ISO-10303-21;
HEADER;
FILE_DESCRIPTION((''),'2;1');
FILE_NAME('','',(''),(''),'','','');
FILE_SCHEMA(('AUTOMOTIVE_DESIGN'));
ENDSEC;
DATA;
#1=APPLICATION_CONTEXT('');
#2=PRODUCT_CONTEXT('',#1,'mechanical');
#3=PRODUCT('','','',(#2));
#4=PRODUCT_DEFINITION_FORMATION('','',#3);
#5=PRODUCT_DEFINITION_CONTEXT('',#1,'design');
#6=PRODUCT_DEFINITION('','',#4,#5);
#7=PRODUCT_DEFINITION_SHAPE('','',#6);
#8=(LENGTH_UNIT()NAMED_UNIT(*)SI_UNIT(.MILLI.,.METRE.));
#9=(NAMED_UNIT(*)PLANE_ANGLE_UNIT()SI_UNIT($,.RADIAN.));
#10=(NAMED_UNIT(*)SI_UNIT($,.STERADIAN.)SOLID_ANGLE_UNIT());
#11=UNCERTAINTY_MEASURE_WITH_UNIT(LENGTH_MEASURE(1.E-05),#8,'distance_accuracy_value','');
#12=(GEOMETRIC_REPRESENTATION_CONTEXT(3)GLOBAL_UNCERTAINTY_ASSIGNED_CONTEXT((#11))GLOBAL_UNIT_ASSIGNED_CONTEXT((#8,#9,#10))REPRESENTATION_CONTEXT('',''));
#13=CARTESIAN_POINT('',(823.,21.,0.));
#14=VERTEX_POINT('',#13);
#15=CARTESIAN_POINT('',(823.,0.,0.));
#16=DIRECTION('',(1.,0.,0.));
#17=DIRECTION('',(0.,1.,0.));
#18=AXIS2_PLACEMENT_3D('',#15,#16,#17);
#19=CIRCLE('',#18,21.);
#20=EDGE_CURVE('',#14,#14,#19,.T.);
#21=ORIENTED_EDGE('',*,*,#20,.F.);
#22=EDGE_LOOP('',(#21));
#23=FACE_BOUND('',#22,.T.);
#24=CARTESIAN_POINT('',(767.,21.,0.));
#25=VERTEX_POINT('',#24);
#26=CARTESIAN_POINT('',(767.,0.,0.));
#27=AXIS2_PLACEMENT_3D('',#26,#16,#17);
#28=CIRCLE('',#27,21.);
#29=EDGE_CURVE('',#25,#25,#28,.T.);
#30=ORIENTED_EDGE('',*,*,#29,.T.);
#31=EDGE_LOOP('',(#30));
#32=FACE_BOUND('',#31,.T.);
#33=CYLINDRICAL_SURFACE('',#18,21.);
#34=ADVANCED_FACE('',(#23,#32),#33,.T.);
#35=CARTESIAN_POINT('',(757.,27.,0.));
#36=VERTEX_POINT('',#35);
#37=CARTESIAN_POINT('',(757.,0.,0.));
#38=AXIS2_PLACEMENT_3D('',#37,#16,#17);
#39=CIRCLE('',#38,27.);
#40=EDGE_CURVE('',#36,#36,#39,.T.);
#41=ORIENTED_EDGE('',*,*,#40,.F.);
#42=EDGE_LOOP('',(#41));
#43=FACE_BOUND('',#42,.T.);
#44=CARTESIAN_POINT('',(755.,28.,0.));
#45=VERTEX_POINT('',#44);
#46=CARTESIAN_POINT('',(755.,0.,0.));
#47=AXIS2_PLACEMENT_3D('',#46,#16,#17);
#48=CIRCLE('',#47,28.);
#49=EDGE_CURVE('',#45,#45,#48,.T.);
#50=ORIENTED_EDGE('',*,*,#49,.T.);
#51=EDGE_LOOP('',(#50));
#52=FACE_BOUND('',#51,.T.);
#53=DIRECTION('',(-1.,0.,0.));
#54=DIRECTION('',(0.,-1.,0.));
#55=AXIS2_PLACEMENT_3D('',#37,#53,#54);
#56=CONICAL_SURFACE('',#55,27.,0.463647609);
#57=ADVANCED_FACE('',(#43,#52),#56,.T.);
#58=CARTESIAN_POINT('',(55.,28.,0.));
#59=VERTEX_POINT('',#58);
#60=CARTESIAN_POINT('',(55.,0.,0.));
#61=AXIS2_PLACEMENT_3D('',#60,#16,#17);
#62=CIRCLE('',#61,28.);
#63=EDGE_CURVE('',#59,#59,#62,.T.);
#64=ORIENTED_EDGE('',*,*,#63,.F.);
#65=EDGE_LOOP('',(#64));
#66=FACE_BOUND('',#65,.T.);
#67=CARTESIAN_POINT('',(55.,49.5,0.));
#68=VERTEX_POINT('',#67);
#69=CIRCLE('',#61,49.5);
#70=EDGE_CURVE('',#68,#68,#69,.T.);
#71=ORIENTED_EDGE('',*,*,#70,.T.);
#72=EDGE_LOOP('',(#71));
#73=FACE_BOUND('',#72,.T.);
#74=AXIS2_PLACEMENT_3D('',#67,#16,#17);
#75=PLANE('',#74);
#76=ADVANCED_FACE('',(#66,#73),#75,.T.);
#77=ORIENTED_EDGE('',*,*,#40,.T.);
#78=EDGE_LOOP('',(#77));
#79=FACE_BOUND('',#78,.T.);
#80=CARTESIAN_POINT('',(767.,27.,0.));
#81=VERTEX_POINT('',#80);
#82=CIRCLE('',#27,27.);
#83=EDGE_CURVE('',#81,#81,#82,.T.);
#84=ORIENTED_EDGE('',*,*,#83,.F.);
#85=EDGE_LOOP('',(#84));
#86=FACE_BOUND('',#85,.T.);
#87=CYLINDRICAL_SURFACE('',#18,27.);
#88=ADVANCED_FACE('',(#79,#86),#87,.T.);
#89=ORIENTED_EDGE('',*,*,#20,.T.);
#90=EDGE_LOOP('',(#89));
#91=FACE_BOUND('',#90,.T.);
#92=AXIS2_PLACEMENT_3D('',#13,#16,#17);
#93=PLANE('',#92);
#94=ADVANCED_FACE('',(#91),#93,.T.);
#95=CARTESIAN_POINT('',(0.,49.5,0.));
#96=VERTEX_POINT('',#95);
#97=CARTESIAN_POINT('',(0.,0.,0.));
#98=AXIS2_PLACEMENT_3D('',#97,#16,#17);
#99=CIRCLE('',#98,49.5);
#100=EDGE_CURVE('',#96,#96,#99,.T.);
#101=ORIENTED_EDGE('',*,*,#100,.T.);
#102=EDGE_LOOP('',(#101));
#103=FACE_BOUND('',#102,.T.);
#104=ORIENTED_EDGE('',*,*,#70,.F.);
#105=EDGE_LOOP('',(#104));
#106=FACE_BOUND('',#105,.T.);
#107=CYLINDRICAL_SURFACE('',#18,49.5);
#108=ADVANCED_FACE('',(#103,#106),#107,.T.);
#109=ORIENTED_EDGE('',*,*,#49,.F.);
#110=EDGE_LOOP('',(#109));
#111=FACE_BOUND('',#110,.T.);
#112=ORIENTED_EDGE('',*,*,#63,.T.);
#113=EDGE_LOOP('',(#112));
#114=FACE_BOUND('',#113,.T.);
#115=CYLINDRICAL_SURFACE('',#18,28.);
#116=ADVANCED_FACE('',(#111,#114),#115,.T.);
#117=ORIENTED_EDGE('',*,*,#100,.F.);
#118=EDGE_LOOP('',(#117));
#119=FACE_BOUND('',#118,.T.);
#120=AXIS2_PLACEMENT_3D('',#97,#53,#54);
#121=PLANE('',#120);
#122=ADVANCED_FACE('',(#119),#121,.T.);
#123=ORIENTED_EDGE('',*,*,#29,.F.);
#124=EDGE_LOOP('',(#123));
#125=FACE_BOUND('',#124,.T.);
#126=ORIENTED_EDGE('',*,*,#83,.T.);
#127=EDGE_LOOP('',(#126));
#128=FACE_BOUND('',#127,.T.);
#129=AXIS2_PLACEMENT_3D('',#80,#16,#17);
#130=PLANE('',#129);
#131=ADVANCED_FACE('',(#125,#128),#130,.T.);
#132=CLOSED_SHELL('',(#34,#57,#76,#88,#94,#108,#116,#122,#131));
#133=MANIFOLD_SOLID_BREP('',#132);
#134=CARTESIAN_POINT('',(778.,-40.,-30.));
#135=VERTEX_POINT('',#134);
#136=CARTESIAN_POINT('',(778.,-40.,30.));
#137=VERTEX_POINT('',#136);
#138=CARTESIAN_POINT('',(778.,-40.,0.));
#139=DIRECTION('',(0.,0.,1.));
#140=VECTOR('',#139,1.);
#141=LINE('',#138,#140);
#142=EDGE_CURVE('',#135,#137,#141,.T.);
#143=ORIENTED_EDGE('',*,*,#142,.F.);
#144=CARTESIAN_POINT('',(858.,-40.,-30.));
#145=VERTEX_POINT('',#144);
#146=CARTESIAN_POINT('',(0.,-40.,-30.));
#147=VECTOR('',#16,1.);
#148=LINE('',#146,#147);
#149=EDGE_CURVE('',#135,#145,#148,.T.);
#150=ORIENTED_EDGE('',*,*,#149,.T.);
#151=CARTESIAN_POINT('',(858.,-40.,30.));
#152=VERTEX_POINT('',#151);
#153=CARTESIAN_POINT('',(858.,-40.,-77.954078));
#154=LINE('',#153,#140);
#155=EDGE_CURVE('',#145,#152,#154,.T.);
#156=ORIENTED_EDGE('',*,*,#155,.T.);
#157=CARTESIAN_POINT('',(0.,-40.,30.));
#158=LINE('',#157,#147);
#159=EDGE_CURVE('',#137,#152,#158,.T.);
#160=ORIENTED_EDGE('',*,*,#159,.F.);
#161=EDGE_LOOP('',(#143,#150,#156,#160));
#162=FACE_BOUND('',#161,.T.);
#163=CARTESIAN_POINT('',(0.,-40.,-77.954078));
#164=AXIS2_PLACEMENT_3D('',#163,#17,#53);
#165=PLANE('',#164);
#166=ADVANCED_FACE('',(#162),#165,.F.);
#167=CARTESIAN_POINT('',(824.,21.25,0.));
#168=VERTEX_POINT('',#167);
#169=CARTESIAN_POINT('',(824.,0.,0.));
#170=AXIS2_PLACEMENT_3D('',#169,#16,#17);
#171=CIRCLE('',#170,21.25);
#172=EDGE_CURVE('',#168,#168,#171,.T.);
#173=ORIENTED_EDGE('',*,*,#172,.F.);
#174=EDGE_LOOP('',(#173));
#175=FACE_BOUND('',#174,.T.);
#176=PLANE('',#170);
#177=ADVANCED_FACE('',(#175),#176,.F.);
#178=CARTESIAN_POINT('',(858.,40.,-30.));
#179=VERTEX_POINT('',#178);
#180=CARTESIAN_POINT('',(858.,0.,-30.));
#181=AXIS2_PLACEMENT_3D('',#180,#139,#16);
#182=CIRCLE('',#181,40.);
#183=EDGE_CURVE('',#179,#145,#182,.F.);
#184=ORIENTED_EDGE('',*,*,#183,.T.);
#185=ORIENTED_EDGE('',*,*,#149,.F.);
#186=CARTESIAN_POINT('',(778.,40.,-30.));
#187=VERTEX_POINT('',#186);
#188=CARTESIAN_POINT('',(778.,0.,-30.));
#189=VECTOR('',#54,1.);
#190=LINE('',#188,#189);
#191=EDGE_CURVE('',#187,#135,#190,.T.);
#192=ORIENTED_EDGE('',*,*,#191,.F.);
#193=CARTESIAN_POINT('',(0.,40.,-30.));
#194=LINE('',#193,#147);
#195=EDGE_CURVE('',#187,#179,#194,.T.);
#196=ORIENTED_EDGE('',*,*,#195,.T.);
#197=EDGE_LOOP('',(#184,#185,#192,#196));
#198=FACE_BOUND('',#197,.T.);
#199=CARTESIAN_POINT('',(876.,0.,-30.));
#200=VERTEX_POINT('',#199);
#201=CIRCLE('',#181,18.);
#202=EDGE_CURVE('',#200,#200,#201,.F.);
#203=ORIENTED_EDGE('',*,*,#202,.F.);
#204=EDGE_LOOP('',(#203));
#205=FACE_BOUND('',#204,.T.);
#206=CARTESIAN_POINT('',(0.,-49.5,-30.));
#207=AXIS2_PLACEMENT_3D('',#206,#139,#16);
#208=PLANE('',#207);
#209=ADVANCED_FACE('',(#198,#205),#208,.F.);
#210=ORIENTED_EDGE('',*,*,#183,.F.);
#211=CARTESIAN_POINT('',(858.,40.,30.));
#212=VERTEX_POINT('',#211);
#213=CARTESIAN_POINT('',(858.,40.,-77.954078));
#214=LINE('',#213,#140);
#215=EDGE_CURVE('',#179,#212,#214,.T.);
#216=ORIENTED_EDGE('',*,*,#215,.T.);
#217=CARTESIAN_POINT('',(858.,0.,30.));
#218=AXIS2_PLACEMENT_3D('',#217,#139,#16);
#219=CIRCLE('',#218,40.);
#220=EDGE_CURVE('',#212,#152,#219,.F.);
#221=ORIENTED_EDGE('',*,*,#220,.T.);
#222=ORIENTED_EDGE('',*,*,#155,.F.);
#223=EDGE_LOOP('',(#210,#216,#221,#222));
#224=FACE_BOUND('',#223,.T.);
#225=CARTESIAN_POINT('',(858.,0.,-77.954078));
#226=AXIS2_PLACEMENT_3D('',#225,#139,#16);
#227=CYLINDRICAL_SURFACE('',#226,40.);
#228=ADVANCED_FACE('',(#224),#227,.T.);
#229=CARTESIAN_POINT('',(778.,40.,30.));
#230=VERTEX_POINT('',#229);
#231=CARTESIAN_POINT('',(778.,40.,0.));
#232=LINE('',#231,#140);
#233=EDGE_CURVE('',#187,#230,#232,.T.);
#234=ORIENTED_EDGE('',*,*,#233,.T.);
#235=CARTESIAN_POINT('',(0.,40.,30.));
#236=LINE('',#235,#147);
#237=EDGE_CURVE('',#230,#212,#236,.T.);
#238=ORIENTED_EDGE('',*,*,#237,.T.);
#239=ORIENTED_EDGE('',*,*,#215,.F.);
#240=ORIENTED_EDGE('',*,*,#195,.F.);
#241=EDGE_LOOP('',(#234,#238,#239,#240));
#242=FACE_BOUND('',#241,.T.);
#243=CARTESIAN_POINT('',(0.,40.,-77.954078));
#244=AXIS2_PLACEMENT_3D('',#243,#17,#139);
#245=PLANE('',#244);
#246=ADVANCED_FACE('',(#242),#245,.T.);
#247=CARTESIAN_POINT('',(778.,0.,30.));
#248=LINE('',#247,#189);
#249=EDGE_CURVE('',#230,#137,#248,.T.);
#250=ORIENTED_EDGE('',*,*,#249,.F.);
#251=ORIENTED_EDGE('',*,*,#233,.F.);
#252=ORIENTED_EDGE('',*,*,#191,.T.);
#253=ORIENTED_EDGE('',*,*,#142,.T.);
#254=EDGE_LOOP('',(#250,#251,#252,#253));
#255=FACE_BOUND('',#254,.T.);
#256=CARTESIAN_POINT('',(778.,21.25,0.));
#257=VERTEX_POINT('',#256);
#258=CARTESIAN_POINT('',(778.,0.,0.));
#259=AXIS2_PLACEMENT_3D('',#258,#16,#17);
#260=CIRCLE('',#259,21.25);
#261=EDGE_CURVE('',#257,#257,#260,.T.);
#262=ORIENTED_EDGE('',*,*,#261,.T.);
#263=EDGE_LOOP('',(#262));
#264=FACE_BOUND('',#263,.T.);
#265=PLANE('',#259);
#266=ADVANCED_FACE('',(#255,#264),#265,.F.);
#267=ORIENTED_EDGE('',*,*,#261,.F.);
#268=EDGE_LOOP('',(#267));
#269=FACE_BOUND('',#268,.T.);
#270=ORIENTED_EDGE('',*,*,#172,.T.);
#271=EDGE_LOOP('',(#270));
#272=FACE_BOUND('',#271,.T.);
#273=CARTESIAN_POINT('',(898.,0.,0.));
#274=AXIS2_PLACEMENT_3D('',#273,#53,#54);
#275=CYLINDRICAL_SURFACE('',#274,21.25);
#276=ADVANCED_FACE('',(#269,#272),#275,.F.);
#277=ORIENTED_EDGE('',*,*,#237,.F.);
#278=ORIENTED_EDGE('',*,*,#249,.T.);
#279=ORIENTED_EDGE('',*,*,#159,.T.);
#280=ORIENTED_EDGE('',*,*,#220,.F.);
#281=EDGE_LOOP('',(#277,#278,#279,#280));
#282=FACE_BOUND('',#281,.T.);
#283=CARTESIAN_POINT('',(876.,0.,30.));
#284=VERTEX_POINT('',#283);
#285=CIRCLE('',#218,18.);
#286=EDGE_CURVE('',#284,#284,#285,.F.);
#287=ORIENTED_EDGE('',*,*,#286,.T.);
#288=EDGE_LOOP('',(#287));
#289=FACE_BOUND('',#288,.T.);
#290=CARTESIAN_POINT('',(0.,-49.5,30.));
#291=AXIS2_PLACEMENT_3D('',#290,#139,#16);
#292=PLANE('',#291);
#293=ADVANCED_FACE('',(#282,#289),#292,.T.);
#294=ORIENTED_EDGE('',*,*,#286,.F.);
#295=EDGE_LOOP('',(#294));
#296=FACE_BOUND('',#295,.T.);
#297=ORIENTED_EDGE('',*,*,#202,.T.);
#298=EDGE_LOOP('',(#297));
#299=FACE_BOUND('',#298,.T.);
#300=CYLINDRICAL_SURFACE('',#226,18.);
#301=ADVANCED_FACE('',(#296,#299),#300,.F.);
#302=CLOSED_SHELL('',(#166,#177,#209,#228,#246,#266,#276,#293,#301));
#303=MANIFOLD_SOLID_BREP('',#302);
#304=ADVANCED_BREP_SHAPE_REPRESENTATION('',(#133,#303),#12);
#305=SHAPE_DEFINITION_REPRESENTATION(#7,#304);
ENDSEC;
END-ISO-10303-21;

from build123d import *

# Parameters (mm, degrees)
ESBO_O2_R                     = 77.954078429
ESBO_O2_R_2                   = 21.25
RESSALTO_EXTRUS_O1_DEPTH      = 75
RESSALTO_EXTRUS_O1_DEPTH_BACK = 45
ESBO_O4_R                     = 21.25
RESSALTO_EXTRUS_O3_DEPTH      = 74
ESBO_O5_W                     = 132.299972888
ESBO_O5_H                     = 165.7142615
ESBO_O5_R                     = 18
CORTE_EXTRUS_O1_DEPTH         = 78.954078429
CORTE_EXTRUS_O1_DEPTH_BACK    = 78.954078429
ESBO_O6_W                     = 80
ESBO_O6_H                     = 36.909179817
CORTE_EXTRUS_O2_DEPTH         = 10.5
CORTE_EXTRUS_O2_DEPTH_BACK    = 90.5
ESBO_O7_R                     = 21
RESSALTO_EXTRUS_O4_DEPTH      = 20


with BuildPart() as part:
    # Esboço1 → Revolução1 (revolve)
    with BuildSketch(Plane.XY):
        Polygon((0, 0), (0, 49.5), (55, 49.5), (55, 28), (755, 28), (757, 27), (767, 27), (767, 21), (823, 21), (823, 0), align=None)
    revolve(axis=Axis((823, 0, 0), (-1, 0, 0)))


with BuildPart() as body_2:
    # Esboço2 → Ressalto-extrusão1 (new body, two sides)
    with BuildSketch(Plane(origin=(823, 0, 0), x_dir=(0, 0, -1), z_dir=(1, 0, 0))) as ressalto_extrus_o1_sk:
        Circle(ESBO_O2_R)
        Circle(ESBO_O2_R_2, mode=Mode.SUBTRACT)
    extrude(amount=RESSALTO_EXTRUS_O1_DEPTH)
    extrude(ressalto_extrus_o1_sk.sketch, amount=-RESSALTO_EXTRUS_O1_DEPTH_BACK)

    # Esboço4 → Ressalto-extrusão3 (add)
    with BuildSketch(Plane(origin=(898, 0, 0), x_dir=(0, 0, -1), z_dir=(1, 0, 0))):
        Circle(ESBO_O4_R)
    extrude(amount=-RESSALTO_EXTRUS_O3_DEPTH)


with BuildPart() as corte_extrus_o1_tool:
    # Esboço5 → Corte-extrusão1 (new body, two sides)
    with BuildSketch(Plane.XY) as corte_extrus_o1_sk:
        with Locations((838, 0)):
            Rectangle(ESBO_O5_W, ESBO_O5_H)
        with BuildLine():
            Line((778, 40), (858, 40))
            ThreePointArc((858, 40), (886.284271247, 28.284271247), (898, 0))
            ThreePointArc((898, 0), (886.284271247, -28.284271247), (858, -40))
            Line((858, -40), (778, -40))
            Line((778, -40), (778, 40))
        make_face(mode=Mode.SUBTRACT)
        with Locations((858, 0)):
            Circle(ESBO_O5_R)
    extrude(amount=CORTE_EXTRUS_O1_DEPTH)
    extrude(corte_extrus_o1_sk.sketch, amount=-CORTE_EXTRUS_O1_DEPTH_BACK)


with BuildPart() as part_1:
    add(part.part)

    # Corte-extrusão1: cut by corte_extrus_o1_tool
    add(corte_extrus_o1_tool.part, mode=Mode.SUBTRACT)

    # Esboço7 → Ressalto-extrusão4 (add)
    with BuildSketch(Plane(origin=(771.850013556, 0, 0), x_dir=(0, 0, -1), z_dir=(1, 0, 0))):
        Circle(ESBO_O7_R)
    extrude(amount=RESSALTO_EXTRUS_O4_DEPTH)


with BuildPart() as body_2_1:
    add(body_2.part)

    # Corte-extrusão1: cut by corte_extrus_o1_tool
    add(corte_extrus_o1_tool.part, mode=Mode.SUBTRACT)

    # Esboço6 → Corte-extrusão2 (cut, two sides)
    with BuildSketch(Plane(origin=(0, 40, 0), x_dir=(1, 0, 0), z_dir=(0, 1, 0))) as corte_extrus_o2_sk:
        Polygon((773.594508965, 104.877127038), (773.594508965, 30), (778, 30), (778, 66.909179817), (858, 66.909179817), (858, 30), (942.405491035, 30), (942.405491035, 104.877127038), align=None)
        with Locations((818, 48.454589909)):
            Rectangle(ESBO_O6_W, ESBO_O6_H)
        Polygon((778, -30), (773.594508965, -30), (773.594508965, -104.877127038), (942.405491035, -104.877127038), (942.405491035, -30), (858, -30), (858, -66.909179817), (778, -66.909179817), align=None)
        with Locations((818, -48.454589909)):
            Rectangle(ESBO_O6_W, ESBO_O6_H)
    extrude(amount=CORTE_EXTRUS_O2_DEPTH, mode=Mode.SUBTRACT)
    extrude(corte_extrus_o2_sk.sketch, amount=-CORTE_EXTRUS_O2_DEPTH_BACK, mode=Mode.SUBTRACT)


solid = Compound([part_1.part, body_2_1.part])
